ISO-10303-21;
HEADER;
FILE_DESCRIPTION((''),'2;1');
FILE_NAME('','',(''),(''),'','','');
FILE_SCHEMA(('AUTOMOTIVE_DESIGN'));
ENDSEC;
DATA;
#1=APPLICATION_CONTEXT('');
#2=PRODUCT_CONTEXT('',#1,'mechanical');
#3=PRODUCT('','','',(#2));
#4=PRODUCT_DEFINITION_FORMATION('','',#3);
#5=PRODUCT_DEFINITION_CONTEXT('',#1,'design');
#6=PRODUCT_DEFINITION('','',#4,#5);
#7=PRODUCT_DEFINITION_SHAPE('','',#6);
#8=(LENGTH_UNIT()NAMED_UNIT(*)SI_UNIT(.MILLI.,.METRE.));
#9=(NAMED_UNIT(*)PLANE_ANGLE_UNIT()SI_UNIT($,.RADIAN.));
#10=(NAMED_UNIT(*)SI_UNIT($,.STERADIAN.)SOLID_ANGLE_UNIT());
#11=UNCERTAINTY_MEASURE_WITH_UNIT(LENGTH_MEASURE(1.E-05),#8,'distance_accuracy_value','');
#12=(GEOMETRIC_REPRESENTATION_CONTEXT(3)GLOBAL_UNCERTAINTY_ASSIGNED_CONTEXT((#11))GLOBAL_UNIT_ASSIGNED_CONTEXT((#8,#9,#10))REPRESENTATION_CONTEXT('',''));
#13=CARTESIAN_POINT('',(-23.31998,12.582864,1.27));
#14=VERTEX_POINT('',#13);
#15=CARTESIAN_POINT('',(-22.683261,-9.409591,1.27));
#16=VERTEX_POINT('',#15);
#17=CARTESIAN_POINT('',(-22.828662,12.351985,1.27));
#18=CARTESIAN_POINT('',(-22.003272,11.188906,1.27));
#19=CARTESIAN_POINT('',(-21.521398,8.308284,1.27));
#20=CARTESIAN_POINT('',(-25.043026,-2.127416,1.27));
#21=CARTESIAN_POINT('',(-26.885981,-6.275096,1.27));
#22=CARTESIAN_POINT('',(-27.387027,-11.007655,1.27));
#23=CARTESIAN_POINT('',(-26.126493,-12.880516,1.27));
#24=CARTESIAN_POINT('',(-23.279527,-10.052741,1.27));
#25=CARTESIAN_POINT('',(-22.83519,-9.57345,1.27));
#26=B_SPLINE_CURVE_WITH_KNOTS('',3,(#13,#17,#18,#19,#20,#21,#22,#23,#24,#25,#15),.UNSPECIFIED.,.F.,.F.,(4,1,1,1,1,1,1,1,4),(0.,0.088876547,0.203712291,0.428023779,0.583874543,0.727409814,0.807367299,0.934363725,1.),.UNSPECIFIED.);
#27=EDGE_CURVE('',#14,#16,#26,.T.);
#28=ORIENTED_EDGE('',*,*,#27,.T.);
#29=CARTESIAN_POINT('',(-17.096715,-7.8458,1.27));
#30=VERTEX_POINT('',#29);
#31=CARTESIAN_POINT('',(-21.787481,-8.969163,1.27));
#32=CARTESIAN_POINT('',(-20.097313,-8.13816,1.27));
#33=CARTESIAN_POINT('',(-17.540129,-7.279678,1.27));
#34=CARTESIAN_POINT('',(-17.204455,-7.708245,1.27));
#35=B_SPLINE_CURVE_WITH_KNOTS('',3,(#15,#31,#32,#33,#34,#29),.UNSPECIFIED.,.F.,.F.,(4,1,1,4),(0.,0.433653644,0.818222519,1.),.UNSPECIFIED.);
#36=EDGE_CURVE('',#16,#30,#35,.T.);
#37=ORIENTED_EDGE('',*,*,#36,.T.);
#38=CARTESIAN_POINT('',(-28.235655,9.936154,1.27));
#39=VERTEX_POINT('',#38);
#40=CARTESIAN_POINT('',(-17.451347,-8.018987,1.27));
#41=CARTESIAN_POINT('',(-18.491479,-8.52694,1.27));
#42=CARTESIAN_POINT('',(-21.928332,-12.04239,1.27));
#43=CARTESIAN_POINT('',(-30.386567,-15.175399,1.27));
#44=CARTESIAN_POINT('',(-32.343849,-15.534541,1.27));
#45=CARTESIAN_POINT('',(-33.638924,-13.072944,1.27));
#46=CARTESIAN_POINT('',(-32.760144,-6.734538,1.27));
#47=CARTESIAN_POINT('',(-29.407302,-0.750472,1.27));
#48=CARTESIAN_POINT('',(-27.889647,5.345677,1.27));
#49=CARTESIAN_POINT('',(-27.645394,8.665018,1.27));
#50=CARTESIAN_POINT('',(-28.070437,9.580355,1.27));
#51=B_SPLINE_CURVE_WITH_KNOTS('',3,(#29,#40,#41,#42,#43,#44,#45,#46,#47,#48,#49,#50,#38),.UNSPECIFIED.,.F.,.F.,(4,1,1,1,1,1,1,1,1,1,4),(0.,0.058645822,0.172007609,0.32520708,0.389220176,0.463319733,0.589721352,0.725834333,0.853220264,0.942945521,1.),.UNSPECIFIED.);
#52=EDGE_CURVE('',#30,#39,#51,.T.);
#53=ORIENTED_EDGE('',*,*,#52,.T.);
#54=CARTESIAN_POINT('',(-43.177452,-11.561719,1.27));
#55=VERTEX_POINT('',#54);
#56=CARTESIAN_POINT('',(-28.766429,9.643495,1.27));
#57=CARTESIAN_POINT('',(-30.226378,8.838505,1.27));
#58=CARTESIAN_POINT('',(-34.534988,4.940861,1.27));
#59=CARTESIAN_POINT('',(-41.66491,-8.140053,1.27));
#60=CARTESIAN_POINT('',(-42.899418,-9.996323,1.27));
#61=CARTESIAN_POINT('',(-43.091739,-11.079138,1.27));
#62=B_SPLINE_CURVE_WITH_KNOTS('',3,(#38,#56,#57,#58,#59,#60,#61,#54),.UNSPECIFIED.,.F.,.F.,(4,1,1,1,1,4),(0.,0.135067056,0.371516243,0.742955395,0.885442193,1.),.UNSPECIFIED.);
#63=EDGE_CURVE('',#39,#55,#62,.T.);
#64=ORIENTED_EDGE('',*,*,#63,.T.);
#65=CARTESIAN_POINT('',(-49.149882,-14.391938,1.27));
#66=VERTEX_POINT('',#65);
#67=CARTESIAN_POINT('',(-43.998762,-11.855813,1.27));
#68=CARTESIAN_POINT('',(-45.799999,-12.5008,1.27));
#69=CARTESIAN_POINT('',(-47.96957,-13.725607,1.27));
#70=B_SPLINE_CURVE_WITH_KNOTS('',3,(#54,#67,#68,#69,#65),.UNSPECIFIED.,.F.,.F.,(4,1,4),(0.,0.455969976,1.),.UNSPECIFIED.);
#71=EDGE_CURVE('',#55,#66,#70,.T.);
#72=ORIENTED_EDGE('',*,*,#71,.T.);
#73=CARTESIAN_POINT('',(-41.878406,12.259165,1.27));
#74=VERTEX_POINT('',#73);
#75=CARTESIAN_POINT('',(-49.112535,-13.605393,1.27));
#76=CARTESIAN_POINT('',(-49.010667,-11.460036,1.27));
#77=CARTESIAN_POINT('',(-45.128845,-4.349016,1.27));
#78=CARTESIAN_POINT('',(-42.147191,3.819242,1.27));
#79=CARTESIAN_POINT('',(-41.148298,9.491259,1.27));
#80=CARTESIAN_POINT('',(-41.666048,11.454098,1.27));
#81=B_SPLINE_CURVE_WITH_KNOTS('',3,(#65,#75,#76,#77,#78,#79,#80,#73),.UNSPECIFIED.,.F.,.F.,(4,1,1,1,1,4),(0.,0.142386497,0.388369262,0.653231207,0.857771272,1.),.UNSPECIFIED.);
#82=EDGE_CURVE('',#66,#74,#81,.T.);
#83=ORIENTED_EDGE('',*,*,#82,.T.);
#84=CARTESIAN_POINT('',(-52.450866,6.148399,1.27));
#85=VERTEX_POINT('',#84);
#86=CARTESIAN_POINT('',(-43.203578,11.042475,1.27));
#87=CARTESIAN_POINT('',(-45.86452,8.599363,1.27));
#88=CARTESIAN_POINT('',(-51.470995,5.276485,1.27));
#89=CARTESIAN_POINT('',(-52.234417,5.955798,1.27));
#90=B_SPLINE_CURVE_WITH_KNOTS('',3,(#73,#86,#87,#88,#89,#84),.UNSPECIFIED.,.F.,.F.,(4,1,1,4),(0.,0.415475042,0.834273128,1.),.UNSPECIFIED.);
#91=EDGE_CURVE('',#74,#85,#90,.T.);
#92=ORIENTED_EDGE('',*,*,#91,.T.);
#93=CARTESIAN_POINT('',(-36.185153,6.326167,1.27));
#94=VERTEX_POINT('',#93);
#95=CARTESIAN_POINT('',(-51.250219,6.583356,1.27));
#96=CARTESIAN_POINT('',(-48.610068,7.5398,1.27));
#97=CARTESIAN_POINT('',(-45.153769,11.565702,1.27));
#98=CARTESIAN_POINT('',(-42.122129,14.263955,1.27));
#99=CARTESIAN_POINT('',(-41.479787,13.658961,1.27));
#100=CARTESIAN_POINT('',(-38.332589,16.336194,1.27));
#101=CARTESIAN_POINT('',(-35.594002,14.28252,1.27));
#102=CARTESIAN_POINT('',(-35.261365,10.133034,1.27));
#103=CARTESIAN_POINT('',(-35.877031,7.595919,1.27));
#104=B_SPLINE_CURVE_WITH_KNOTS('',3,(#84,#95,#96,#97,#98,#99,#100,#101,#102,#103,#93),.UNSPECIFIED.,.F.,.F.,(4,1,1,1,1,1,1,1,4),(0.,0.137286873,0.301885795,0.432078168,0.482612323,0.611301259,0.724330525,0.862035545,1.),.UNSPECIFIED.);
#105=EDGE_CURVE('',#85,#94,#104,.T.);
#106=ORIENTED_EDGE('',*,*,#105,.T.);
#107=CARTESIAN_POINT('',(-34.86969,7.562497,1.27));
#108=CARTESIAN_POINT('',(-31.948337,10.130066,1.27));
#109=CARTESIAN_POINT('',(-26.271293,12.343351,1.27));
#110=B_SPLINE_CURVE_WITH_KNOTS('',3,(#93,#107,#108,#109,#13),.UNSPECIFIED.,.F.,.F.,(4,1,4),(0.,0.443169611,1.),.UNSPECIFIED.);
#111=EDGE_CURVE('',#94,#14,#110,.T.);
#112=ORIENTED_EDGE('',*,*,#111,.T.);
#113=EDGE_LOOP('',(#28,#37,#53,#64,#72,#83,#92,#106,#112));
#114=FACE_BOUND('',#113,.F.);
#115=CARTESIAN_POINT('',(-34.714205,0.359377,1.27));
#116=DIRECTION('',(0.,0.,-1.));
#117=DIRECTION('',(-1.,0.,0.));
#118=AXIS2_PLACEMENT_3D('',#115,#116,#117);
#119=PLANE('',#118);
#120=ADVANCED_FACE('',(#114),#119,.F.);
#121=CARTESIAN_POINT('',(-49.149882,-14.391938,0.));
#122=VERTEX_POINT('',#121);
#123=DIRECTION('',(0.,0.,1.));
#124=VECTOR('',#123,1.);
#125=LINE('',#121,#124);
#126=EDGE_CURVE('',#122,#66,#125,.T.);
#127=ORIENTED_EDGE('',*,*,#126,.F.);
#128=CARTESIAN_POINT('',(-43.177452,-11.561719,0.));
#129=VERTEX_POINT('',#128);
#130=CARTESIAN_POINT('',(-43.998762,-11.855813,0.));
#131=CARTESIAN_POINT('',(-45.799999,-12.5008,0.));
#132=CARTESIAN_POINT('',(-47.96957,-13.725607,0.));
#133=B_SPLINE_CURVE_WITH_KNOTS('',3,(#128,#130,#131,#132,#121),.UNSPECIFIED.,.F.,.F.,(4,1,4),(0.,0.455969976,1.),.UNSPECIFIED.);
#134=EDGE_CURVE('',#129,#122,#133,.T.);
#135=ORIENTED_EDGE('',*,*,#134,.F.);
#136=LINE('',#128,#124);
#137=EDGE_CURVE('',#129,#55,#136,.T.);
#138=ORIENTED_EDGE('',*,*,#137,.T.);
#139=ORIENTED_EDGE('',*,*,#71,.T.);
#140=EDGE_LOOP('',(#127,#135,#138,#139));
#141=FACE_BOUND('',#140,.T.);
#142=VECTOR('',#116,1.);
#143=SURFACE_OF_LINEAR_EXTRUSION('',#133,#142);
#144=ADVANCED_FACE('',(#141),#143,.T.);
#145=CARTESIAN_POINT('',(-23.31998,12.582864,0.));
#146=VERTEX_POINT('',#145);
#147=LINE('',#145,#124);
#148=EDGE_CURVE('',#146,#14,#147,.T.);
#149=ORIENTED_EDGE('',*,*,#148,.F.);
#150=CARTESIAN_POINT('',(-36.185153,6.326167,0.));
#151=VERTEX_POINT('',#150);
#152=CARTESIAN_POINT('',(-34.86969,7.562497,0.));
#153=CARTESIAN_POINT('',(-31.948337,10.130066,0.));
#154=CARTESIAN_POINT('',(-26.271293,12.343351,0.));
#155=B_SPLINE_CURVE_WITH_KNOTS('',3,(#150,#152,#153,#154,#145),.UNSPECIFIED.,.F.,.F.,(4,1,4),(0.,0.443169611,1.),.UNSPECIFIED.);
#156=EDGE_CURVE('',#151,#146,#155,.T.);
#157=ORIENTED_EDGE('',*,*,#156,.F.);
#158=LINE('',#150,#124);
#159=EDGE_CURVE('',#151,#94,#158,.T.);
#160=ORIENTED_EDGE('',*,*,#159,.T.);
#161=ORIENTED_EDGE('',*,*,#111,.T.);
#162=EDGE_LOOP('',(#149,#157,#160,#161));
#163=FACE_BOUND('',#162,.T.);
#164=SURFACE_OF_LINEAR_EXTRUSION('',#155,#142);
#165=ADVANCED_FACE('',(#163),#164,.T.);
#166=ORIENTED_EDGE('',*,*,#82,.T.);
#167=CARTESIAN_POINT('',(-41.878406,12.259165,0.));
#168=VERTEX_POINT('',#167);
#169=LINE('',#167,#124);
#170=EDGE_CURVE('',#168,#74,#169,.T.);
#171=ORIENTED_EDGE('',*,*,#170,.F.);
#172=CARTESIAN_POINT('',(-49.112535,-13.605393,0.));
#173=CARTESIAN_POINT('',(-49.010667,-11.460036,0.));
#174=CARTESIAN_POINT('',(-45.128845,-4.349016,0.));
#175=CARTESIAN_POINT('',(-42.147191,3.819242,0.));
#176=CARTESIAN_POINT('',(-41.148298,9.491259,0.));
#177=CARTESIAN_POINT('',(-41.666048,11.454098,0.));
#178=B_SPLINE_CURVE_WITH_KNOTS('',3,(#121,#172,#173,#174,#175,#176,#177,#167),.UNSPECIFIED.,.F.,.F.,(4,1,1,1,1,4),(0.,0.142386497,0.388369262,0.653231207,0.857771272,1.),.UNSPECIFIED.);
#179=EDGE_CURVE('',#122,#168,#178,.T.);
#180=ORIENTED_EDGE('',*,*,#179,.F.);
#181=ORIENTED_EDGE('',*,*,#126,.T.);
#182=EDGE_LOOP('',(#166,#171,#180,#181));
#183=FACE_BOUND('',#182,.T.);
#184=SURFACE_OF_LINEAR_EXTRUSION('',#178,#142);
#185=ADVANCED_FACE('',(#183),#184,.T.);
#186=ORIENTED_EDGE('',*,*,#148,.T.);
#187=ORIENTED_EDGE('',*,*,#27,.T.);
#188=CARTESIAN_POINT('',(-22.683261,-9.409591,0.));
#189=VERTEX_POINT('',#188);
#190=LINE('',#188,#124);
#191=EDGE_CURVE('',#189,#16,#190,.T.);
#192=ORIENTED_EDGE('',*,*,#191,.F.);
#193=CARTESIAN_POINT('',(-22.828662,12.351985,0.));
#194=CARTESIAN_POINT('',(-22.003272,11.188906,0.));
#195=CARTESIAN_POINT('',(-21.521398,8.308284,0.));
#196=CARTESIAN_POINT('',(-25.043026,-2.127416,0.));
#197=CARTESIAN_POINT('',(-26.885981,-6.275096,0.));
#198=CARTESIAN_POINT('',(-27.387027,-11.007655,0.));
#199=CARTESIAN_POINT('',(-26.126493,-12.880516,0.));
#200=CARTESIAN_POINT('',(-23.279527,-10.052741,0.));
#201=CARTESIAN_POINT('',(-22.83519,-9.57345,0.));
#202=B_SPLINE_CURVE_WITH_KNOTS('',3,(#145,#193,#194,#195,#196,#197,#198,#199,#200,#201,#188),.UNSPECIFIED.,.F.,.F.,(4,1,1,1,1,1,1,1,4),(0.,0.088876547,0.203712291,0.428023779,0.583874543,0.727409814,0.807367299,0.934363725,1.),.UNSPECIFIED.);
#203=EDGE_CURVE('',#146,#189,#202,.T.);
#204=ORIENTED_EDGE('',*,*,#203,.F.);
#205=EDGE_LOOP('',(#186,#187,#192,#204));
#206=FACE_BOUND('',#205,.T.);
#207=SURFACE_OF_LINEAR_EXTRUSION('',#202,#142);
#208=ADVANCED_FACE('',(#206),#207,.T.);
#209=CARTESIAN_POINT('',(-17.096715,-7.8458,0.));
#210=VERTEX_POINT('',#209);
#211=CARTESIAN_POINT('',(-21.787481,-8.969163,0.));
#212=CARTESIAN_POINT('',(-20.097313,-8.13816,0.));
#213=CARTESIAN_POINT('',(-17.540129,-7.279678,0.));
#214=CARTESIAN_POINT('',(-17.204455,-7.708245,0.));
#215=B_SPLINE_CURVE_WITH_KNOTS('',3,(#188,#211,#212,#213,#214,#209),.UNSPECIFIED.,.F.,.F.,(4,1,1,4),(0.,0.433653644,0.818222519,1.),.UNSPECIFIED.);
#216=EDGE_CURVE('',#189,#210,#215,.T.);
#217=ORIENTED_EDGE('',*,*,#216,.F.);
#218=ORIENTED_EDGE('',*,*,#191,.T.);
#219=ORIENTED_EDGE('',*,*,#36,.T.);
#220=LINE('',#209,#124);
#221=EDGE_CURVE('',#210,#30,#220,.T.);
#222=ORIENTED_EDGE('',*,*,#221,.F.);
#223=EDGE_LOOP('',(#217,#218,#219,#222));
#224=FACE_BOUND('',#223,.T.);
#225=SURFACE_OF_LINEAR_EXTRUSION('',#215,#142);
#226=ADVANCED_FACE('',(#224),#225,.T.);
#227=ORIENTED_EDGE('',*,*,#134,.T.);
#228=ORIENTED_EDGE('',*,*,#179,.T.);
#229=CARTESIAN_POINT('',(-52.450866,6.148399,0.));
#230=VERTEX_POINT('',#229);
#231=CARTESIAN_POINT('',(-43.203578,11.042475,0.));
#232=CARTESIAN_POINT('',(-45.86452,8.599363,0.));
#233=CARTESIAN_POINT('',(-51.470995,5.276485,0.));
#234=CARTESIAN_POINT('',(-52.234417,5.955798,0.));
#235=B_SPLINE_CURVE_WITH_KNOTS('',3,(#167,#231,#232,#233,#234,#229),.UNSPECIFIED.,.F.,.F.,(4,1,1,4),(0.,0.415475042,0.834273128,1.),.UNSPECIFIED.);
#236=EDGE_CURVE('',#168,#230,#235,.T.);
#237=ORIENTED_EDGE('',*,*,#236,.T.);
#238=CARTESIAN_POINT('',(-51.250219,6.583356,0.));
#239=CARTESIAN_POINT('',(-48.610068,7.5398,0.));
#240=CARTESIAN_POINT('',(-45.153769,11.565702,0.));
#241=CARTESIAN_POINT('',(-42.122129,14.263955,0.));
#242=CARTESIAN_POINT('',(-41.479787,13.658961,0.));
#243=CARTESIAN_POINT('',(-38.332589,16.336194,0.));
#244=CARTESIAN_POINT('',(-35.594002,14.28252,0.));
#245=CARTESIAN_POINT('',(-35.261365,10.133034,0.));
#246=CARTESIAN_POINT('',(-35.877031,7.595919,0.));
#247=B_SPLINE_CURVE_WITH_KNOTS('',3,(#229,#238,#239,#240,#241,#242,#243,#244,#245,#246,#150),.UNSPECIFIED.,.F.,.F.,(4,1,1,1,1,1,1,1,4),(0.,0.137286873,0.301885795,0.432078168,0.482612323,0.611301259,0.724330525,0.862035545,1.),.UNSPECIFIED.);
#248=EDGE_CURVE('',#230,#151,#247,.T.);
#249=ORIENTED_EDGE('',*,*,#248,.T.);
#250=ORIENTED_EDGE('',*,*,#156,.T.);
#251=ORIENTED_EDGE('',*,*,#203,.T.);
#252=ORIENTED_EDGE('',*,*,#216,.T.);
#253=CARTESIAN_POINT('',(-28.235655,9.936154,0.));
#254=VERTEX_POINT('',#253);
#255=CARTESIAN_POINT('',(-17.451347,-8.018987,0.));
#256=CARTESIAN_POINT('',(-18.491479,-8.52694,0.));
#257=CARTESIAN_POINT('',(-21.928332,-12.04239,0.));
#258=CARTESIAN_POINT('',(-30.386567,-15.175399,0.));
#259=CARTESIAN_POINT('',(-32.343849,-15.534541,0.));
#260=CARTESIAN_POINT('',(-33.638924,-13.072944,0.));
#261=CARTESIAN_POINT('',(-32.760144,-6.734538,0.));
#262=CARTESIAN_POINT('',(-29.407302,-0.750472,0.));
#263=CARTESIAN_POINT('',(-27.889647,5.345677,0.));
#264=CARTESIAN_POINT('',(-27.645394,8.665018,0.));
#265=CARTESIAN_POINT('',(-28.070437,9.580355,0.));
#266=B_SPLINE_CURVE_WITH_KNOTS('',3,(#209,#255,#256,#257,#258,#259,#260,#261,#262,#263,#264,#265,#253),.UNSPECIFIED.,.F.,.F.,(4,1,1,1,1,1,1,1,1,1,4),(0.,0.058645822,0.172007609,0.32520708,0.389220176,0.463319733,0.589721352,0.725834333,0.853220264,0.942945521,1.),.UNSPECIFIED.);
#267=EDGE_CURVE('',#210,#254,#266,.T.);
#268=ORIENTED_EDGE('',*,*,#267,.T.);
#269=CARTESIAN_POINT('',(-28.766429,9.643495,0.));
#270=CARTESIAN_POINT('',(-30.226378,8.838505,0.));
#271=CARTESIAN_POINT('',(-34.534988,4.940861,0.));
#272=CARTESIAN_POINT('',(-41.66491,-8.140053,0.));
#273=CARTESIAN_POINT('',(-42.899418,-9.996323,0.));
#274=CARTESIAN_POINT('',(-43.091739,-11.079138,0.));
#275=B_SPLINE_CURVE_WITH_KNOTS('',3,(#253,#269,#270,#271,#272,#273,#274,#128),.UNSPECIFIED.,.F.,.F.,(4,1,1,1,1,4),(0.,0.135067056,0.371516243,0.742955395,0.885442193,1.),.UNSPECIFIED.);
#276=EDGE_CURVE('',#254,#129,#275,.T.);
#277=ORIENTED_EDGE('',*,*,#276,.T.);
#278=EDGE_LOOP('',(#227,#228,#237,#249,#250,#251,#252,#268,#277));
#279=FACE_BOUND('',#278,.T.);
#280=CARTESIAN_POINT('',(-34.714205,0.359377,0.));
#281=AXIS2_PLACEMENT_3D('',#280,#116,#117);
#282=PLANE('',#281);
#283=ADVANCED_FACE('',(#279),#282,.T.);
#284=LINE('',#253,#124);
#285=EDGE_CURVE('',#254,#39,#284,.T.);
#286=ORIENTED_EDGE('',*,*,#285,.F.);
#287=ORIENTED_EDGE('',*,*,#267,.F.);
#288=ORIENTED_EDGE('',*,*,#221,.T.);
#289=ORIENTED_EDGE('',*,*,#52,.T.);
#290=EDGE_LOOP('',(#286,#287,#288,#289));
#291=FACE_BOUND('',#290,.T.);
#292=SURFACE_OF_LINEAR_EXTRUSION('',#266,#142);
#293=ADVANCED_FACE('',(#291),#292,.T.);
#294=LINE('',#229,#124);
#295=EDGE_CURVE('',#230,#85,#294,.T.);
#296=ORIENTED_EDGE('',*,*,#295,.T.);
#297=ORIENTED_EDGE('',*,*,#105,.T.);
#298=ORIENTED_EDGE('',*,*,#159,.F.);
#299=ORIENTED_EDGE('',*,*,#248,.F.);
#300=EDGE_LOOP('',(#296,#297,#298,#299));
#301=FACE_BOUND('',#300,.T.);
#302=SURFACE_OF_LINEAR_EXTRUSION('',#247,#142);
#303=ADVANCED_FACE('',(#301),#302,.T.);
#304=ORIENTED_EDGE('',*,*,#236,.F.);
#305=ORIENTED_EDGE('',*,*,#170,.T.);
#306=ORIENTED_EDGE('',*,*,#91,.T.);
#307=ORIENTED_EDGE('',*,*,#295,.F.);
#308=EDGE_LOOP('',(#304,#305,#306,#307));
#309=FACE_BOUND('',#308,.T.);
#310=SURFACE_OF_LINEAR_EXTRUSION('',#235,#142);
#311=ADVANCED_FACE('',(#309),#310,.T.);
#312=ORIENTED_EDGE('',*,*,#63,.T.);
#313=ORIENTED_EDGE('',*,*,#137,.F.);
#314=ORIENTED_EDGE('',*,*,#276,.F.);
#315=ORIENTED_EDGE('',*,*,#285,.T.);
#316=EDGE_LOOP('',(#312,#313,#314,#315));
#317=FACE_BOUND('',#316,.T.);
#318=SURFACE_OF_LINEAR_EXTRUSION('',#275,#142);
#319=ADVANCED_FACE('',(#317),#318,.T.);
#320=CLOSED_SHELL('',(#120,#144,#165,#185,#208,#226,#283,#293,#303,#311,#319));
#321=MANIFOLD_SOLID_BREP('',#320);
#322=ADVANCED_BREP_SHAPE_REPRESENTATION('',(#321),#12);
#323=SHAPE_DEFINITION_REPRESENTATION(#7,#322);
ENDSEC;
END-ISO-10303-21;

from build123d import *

# Parameters (mm, degrees)
F1_DEPTH = 1.27


with BuildPart() as f1:
    # F0 (on Top) → F1 (new body)
    with BuildSketch(Plane.XY):
        with BuildLine():
            add(Edge.make_bspline(
                [(-52.4508655071, 6.1483993195), (-51.2502191119, 6.5833559306), (-48.610067998, 7.5398000476), (-45.1537688991, 11.5657016835), (-42.1221285518, 14.2639547296), (-41.4797872222, 13.6589606847), (-38.3325889337, 16.3361943188), (-35.5940023997, 14.2825197488), (-35.261365319, 10.1330341314), (-35.8770305222, 7.5959185556), (-36.1851528287, 6.3261669129)],
                knots=[0, 0, 0, 0, 0.1372868732, 0.3018857948, 0.4320781684, 0.4826123225, 0.6113012585, 0.7243305254, 0.8620355448, 1, 1, 1, 1], degree=3))
            add(Edge.make_bspline(
                [(-41.8784059584, 12.2591648251), (-43.2035777029, 11.0424745594), (-45.8645201544, 8.5993627199), (-51.4709954753, 5.2764848477), (-52.2344171246, 5.9557977795), (-52.4508655071, 6.1483993195)],
                knots=[0, 0, 0, 0, 0.415475042, 0.8342731283, 1, 1, 1, 1], degree=3))
            add(Edge.make_bspline(
                [(-49.1498820484, -14.3919382244), (-49.1125346164, -13.6053932891), (-49.0106668484, -11.4600362255), (-45.1288450139, -4.3490160217), (-42.1471910649, 3.8192423652), (-41.1482980871, 9.4912585756), (-41.6660484124, 11.4540977905), (-41.8784059584, 12.2591648251)],
                knots=[0, 0, 0, 0, 0.1423864967, 0.3883692625, 0.6532312068, 0.8577712724, 1, 1, 1, 1], degree=3))
            add(Edge.make_bspline(
                [(-43.1774519384, -11.5617187694), (-43.998762078, -11.85581333), (-45.7999994043, -12.5008000098), (-47.9695703265, -13.7256066422), (-49.1498820484, -14.3919382244)],
                knots=[0, 0, 0, 0, 0.4559699755, 1, 1, 1, 1], degree=3))
            add(Edge.make_bspline(
                [(-28.235655278, 9.9361538887), (-28.7664288434, 9.6434948265), (-30.2263777512, 8.8385050793), (-34.5349882921, 4.9408613511), (-41.6649095563, -8.140053331), (-42.8994179386, -9.9963225112), (-43.0917394557, -11.0791375028), (-43.1774519384, -11.5617187694)],
                knots=[0, 0, 0, 0, 0.1350670561, 0.3715162432, 0.7429553945, 0.8854421926, 1, 1, 1, 1], degree=3))
            add(Edge.make_bspline(
                [(-17.096715048, -7.84580037), (-17.4513469516, -8.0189865688), (-18.4914787774, -8.5269399575), (-21.9283323937, -12.0423903604), (-30.3865666046, -15.1753993302), (-32.3438493626, -15.5345411735), (-33.6389238212, -13.0729438462), (-32.7601438824, -6.734538083), (-29.4073019728, -0.7504723717), (-27.889647365, 5.345677188), (-27.6453935787, 8.6650178544), (-28.0704373162, 9.5803549186), (-28.235655278, 9.9361538887)],
                knots=[0, 0, 0, 0, 0.0586458221, 0.1720076095, 0.3252070804, 0.3892201763, 0.463319733, 0.589721352, 0.7258343334, 0.8532202638, 0.9429455214, 1, 1, 1, 1], degree=3))
            add(Edge.make_bspline(
                [(-22.6832609624, -9.4095906243), (-21.7874807772, -8.9691632045), (-20.0973127621, -8.1381598511), (-17.5401285644, -7.2796780422), (-17.204454687, -7.7082452144), (-17.096715048, -7.84580037)],
                knots=[0, 0, 0, 0, 0.4336536445, 0.8182225189, 1, 1, 1, 1], degree=3))
            add(Edge.make_bspline(
                [(-23.3199801296, 12.582863681), (-22.8286618385, 12.351984913), (-22.0032715443, 11.1889062988), (-21.5213979685, 8.3082835565), (-25.0430262887, -2.1274160768), (-26.8859807323, -6.2750961406), (-27.3870265293, -11.0076554203), (-26.126493392, -12.8805163249), (-23.2795270457, -10.0527414778), (-22.8351895684, -9.5734499825), (-22.6832609624, -9.4095906243)],
                knots=[0, 0, 0, 0, 0.0888765465, 0.2037122912, 0.4280237786, 0.5838745432, 0.727409814, 0.8073672988, 0.9343637249, 1, 1, 1, 1], degree=3))
            add(Edge.make_bspline(
                [(-36.1851528287, 6.3261669129), (-34.8696896248, 7.5624965993), (-31.9483366254, 10.1300658236), (-26.2712929398, 12.3433507979), (-23.3199801296, 12.582863681)],
                knots=[0, 0, 0, 0, 0.4431696114, 1, 1, 1, 1], degree=3))
        make_face()
    extrude(amount=F1_DEPTH)


solid = f1.part
